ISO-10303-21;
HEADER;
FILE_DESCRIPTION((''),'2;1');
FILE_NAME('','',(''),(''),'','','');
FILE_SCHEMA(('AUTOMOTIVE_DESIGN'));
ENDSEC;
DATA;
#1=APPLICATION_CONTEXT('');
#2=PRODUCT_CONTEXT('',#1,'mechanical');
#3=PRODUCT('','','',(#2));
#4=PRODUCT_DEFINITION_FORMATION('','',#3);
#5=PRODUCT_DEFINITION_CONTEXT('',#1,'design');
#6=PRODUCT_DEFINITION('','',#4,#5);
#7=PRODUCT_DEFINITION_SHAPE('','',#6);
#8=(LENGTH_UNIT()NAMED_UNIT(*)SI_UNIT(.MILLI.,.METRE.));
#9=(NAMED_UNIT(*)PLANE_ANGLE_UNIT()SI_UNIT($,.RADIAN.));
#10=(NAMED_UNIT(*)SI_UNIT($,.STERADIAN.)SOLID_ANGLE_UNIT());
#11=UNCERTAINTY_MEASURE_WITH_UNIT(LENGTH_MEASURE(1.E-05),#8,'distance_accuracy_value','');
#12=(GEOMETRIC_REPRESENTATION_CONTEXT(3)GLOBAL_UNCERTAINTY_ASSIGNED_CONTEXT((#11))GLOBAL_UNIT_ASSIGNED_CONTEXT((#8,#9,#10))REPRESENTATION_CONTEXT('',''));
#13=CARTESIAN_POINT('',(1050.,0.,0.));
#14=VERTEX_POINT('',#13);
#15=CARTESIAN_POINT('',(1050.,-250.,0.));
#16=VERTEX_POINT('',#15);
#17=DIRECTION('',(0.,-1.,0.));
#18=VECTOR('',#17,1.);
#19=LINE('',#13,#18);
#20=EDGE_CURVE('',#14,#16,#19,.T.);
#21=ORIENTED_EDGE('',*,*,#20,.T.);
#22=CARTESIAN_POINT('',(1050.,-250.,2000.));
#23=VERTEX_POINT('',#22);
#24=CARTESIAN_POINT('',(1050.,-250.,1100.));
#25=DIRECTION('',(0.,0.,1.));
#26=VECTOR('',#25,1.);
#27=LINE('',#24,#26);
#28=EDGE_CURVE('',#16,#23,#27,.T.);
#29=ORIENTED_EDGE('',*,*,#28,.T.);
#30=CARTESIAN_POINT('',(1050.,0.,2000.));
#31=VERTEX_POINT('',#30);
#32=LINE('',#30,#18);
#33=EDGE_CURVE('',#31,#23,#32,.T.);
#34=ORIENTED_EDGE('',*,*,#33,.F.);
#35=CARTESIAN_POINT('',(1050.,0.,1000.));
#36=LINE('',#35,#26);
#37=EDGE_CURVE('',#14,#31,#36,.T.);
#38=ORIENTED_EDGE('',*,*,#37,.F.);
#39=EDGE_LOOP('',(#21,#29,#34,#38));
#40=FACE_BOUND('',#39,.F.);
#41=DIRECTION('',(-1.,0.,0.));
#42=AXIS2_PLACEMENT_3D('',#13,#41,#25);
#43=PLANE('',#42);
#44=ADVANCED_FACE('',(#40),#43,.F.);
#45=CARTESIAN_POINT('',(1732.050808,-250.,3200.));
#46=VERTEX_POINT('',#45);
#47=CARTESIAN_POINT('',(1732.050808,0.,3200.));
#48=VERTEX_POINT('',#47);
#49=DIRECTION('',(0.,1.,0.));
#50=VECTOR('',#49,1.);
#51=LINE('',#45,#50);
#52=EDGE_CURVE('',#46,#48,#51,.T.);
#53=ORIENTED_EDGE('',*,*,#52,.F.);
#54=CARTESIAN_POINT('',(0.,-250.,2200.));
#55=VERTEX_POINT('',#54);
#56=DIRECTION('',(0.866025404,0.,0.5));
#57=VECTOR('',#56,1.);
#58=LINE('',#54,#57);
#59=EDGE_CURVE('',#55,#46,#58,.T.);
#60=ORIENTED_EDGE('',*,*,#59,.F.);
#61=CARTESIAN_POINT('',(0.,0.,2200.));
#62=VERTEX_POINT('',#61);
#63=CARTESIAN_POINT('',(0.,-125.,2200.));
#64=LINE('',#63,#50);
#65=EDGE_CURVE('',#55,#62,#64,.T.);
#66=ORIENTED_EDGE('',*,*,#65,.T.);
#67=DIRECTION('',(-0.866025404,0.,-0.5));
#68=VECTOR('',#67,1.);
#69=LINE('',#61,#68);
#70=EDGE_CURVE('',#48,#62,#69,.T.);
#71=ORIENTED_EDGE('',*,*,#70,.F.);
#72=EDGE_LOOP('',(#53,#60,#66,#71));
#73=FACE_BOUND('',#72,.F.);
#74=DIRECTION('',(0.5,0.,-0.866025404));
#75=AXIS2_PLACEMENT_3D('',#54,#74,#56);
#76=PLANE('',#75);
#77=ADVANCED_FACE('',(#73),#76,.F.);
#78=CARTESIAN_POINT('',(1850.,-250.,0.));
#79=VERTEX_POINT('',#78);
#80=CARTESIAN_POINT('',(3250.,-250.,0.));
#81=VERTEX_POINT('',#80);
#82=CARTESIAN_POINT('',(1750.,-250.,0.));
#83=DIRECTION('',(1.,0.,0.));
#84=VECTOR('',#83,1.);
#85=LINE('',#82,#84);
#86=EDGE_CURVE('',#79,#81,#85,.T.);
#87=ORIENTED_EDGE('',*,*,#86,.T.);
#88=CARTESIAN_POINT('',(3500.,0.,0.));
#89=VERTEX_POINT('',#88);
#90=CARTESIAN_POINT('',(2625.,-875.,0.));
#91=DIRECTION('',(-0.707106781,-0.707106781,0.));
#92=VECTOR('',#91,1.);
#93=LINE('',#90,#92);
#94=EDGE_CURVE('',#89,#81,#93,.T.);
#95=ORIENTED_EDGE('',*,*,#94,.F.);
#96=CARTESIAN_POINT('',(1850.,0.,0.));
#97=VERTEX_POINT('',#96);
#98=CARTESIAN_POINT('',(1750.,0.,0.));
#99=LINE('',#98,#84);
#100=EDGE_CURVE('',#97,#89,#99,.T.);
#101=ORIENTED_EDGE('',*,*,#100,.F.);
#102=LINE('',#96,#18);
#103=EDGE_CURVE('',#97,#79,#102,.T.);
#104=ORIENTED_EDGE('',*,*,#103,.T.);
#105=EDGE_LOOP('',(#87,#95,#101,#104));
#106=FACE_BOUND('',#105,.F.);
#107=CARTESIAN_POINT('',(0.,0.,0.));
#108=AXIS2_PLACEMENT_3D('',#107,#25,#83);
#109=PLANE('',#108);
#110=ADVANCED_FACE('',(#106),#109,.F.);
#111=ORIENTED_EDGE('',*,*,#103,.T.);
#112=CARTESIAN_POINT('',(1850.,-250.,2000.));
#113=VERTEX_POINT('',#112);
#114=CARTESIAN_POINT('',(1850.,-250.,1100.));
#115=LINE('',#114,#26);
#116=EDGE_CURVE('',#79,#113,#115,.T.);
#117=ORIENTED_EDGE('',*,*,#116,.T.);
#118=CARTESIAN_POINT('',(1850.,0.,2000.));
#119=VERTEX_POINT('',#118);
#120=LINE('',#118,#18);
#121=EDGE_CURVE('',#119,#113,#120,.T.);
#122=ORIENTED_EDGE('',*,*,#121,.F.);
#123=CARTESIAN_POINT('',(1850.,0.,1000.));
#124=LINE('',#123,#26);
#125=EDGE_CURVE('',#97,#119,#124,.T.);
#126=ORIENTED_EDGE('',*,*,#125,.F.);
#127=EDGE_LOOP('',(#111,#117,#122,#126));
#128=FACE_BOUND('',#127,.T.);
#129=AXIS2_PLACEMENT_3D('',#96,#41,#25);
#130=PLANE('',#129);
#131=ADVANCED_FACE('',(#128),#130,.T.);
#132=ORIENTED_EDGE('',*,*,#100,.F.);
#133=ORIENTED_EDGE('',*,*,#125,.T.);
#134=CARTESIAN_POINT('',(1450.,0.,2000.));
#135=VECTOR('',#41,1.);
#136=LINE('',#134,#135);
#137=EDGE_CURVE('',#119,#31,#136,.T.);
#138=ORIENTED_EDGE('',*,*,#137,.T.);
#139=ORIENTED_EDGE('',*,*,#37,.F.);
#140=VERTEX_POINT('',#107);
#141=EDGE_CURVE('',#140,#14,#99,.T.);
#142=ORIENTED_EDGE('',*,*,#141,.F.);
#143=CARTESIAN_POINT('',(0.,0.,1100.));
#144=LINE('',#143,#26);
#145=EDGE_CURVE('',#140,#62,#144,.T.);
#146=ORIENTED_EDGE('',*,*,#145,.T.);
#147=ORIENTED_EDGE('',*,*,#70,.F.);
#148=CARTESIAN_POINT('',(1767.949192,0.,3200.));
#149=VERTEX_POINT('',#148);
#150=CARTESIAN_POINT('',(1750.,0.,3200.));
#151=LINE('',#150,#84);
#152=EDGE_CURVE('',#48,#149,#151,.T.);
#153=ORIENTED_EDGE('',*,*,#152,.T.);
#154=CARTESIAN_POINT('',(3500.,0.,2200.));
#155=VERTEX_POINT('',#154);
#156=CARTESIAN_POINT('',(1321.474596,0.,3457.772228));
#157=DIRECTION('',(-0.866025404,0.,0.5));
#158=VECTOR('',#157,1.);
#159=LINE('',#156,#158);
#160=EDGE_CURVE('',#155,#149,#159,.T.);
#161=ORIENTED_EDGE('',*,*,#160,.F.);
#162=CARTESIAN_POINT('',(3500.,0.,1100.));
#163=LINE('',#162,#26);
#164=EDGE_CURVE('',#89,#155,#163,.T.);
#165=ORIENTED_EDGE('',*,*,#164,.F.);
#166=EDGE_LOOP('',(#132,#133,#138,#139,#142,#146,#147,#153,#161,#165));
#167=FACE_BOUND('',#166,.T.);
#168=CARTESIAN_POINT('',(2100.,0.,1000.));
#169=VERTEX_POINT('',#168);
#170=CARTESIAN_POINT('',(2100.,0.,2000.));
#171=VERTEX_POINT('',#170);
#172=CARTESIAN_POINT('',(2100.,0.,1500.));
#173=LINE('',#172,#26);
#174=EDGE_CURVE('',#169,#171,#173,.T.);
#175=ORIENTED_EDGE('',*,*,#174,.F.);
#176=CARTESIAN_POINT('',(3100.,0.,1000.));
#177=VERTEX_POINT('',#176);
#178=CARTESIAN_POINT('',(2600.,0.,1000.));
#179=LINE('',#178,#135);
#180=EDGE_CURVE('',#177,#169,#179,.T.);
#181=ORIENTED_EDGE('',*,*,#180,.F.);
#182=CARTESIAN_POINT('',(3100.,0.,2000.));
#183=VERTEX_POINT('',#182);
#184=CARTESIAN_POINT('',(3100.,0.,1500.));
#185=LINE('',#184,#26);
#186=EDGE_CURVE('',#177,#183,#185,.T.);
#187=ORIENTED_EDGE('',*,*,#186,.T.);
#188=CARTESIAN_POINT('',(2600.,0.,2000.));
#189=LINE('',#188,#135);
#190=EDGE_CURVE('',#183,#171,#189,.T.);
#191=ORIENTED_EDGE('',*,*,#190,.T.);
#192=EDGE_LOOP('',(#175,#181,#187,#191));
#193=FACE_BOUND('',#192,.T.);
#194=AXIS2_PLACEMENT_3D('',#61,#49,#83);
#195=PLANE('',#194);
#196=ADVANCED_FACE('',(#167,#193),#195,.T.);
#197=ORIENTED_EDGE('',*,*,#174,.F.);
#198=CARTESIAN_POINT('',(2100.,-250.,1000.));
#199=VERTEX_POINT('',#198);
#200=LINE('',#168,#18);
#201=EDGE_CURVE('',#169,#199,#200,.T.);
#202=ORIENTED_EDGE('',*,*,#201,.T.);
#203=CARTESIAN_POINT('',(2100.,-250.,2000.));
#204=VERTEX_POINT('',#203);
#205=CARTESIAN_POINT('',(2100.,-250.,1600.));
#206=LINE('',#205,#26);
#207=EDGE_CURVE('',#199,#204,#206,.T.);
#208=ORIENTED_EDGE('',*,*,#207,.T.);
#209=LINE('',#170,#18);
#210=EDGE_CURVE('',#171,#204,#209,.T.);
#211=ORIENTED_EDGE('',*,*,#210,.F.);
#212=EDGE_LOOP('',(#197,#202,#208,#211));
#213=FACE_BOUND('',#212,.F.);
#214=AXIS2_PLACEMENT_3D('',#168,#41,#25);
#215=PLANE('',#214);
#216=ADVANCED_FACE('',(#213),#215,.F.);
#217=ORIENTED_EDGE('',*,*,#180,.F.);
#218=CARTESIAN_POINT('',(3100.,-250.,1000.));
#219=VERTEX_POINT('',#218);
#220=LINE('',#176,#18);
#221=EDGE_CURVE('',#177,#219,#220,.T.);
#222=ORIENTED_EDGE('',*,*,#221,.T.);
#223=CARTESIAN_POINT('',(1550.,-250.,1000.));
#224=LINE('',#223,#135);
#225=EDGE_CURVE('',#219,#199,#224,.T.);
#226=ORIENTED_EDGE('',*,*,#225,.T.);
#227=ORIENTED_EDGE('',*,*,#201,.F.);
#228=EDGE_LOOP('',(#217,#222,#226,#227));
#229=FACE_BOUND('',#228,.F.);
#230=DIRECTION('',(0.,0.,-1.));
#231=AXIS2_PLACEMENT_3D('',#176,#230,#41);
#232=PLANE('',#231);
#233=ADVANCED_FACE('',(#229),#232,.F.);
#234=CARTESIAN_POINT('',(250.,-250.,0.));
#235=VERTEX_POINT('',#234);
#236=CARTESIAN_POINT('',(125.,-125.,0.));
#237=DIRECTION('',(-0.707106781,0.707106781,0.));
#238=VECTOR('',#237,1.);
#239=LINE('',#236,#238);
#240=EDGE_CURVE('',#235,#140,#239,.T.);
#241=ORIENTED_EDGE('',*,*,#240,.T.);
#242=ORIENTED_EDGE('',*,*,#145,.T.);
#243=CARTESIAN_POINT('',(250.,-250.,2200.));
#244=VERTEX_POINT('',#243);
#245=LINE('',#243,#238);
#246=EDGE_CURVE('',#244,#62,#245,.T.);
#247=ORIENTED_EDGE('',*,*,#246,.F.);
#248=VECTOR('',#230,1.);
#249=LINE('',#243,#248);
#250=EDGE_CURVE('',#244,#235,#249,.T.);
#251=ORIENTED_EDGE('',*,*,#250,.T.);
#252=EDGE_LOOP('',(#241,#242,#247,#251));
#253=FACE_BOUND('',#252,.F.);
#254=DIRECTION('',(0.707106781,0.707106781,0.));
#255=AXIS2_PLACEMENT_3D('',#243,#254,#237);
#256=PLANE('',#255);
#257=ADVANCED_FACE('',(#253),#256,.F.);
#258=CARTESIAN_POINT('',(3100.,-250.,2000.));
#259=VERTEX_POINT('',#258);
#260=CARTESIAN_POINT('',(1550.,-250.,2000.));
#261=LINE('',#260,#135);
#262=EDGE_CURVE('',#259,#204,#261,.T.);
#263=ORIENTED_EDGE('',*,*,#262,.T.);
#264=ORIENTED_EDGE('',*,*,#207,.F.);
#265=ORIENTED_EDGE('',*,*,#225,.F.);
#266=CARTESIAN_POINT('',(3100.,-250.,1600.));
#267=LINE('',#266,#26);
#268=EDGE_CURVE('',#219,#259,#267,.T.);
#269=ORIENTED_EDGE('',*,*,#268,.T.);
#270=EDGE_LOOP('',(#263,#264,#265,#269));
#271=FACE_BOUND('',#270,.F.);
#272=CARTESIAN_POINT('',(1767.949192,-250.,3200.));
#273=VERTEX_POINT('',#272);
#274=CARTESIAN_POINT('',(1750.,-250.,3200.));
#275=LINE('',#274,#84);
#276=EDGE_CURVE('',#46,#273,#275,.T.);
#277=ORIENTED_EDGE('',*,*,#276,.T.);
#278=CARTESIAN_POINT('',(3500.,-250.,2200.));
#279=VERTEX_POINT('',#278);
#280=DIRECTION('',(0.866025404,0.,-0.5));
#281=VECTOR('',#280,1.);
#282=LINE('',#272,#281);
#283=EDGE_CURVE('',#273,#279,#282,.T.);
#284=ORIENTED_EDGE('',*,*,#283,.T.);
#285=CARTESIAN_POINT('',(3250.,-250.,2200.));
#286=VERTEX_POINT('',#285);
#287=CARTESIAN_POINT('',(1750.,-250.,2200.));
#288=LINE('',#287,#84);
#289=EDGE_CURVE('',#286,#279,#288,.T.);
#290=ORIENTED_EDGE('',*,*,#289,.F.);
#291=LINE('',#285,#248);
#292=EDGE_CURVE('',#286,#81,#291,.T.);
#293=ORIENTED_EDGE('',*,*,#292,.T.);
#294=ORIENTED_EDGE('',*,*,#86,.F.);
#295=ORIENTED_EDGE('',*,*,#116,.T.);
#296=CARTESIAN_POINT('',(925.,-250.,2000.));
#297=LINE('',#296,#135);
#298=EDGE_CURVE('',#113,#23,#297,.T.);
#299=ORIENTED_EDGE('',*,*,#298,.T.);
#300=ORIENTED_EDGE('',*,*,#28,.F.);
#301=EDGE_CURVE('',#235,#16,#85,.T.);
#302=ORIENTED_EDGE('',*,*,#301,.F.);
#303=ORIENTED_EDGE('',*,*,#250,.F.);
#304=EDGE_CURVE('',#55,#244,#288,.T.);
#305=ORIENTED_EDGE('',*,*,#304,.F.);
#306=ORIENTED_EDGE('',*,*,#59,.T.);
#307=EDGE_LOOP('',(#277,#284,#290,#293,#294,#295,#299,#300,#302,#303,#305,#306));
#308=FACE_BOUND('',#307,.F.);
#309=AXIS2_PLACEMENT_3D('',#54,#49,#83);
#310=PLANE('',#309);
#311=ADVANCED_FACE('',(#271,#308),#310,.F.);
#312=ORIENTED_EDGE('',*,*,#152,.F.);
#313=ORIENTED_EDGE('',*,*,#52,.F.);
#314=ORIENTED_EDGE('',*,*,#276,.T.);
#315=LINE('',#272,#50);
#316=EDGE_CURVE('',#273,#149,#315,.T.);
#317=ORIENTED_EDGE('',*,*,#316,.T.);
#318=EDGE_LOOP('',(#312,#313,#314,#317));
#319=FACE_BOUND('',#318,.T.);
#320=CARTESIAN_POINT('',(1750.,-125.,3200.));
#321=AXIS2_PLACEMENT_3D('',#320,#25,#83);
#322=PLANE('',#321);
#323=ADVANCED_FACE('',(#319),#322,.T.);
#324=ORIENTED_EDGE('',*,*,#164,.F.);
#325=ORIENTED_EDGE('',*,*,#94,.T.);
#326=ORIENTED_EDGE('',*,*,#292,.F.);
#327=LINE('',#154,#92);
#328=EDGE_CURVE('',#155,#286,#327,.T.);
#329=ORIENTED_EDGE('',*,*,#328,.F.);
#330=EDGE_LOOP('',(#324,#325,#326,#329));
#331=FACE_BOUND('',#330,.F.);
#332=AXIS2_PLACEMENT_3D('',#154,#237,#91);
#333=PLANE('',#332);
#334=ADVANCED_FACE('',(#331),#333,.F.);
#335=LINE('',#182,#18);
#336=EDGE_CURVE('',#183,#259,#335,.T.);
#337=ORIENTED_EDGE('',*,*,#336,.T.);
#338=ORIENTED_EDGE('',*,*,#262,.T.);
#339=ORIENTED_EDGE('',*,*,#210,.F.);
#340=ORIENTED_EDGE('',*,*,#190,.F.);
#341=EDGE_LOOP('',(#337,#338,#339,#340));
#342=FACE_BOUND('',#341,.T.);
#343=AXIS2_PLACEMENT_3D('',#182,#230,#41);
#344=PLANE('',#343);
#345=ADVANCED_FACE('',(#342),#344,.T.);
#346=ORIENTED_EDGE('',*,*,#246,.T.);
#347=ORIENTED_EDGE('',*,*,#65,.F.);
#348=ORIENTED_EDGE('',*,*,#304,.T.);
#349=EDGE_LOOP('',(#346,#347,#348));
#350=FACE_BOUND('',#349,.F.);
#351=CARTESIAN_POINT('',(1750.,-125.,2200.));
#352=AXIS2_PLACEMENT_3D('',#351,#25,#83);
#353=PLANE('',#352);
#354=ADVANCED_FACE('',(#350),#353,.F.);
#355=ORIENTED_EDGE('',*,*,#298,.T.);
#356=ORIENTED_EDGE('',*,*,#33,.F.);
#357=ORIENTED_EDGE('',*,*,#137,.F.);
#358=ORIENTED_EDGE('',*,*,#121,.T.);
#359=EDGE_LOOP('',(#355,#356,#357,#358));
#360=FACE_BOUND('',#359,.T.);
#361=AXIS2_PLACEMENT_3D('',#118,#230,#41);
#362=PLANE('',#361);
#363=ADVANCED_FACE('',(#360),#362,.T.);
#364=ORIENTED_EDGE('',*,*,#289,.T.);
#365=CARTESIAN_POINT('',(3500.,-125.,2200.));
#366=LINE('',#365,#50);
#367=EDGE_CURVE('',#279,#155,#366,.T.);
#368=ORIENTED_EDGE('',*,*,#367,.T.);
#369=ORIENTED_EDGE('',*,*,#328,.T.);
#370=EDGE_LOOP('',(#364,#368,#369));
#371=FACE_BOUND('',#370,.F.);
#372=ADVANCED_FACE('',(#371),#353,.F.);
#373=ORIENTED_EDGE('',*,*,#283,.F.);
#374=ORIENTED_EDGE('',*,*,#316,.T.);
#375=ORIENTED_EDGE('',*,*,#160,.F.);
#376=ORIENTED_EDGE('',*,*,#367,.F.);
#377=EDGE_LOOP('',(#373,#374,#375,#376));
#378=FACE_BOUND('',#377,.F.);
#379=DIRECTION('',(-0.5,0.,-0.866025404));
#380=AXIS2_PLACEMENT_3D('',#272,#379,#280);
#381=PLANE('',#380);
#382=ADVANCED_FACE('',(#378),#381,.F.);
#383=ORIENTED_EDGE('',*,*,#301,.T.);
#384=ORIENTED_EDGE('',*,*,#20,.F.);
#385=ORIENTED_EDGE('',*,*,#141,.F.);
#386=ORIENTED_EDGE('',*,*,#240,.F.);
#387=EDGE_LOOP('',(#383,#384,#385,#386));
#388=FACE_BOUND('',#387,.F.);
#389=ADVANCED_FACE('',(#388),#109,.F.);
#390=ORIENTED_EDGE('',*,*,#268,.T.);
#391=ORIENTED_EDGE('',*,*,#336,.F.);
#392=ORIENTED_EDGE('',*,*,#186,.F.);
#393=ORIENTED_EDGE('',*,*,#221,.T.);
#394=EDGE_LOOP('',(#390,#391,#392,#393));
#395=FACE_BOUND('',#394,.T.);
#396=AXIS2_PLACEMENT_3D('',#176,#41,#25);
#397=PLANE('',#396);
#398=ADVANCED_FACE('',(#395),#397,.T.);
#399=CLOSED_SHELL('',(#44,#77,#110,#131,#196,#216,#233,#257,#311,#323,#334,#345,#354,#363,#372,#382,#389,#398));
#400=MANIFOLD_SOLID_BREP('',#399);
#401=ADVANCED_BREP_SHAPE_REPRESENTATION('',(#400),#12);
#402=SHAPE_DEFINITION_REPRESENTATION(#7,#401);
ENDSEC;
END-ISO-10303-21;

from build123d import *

# Parameters (mm, degrees)
F0_W      = 3500
F0_H      = 2200
F1_DEPTH  = 250
F3_DEPTH  = 2200.001
F4_W      = 3500
F4_H      = 250
F5_DEPTH  = 1000
F7_DEPTH  = 250.001
F8_W      = 800
F8_H      = 2000
F9_DEPTH  = 250.001
F10_W     = 1000
F10_H     = 1000
F11_DEPTH = 250.001


with BuildPart() as f1:
    # F0 (on Front) → F1 (new body)
    with BuildSketch(Plane.XZ):
        with Locations((1750, 1100)):
            Rectangle(F0_W, F0_H)
    extrude(amount=F1_DEPTH)

    # F2 (on face) → F3 (cut, through all)
    with BuildSketch(Plane.XY.offset(2200)):
        Polygon((250, -250), (0, 0), (0, -250), align=None)
        Polygon((3250, -250), (3500, -250), (3500, 0), align=None)
    extrude(amount=-F3_DEPTH, mode=Mode.SUBTRACT)

    # F4 (on face) → F5 (join)
    with BuildSketch(Plane.XY.offset(2200)):
        with Locations((1750, -125)):
            Rectangle(F4_W, F4_H)
    extrude(amount=F5_DEPTH)

    # F6 (on face) → F7 (cut, through all)
    with BuildSketch(Plane.XZ.offset(250)):
        Polygon((0, 3200), (0, 2200), (1732.050808, 3200), align=None)
        Polygon((3500, 3200), (1767.949192, 3200), (3500, 2200), align=None)
        Polygon((1750, 3210.362971), (1732.050808, 3200), (1767.949192, 3200), align=None)
    extrude(amount=-F7_DEPTH, mode=Mode.SUBTRACT)

    # F8 (on face) → F9 (cut, through all)
    with BuildSketch(Plane(origin=(0, 0, 0), x_dir=(-1, 0, 0), z_dir=(0, 1, 0))):
        with Locations((-1450, 1000)):
            Rectangle(F8_W, F8_H)
    extrude(amount=-F9_DEPTH, mode=Mode.SUBTRACT)

    # F10 (on face) → F11 (cut, through all)
    with BuildSketch(Plane(origin=(0, 0, 0), x_dir=(-1, 0, 0), z_dir=(0, 1, 0))):
        with Locations((-2600, 1500)):
            Rectangle(F10_W, F10_H)
    extrude(amount=-F11_DEPTH, mode=Mode.SUBTRACT)


solid = f1.part
